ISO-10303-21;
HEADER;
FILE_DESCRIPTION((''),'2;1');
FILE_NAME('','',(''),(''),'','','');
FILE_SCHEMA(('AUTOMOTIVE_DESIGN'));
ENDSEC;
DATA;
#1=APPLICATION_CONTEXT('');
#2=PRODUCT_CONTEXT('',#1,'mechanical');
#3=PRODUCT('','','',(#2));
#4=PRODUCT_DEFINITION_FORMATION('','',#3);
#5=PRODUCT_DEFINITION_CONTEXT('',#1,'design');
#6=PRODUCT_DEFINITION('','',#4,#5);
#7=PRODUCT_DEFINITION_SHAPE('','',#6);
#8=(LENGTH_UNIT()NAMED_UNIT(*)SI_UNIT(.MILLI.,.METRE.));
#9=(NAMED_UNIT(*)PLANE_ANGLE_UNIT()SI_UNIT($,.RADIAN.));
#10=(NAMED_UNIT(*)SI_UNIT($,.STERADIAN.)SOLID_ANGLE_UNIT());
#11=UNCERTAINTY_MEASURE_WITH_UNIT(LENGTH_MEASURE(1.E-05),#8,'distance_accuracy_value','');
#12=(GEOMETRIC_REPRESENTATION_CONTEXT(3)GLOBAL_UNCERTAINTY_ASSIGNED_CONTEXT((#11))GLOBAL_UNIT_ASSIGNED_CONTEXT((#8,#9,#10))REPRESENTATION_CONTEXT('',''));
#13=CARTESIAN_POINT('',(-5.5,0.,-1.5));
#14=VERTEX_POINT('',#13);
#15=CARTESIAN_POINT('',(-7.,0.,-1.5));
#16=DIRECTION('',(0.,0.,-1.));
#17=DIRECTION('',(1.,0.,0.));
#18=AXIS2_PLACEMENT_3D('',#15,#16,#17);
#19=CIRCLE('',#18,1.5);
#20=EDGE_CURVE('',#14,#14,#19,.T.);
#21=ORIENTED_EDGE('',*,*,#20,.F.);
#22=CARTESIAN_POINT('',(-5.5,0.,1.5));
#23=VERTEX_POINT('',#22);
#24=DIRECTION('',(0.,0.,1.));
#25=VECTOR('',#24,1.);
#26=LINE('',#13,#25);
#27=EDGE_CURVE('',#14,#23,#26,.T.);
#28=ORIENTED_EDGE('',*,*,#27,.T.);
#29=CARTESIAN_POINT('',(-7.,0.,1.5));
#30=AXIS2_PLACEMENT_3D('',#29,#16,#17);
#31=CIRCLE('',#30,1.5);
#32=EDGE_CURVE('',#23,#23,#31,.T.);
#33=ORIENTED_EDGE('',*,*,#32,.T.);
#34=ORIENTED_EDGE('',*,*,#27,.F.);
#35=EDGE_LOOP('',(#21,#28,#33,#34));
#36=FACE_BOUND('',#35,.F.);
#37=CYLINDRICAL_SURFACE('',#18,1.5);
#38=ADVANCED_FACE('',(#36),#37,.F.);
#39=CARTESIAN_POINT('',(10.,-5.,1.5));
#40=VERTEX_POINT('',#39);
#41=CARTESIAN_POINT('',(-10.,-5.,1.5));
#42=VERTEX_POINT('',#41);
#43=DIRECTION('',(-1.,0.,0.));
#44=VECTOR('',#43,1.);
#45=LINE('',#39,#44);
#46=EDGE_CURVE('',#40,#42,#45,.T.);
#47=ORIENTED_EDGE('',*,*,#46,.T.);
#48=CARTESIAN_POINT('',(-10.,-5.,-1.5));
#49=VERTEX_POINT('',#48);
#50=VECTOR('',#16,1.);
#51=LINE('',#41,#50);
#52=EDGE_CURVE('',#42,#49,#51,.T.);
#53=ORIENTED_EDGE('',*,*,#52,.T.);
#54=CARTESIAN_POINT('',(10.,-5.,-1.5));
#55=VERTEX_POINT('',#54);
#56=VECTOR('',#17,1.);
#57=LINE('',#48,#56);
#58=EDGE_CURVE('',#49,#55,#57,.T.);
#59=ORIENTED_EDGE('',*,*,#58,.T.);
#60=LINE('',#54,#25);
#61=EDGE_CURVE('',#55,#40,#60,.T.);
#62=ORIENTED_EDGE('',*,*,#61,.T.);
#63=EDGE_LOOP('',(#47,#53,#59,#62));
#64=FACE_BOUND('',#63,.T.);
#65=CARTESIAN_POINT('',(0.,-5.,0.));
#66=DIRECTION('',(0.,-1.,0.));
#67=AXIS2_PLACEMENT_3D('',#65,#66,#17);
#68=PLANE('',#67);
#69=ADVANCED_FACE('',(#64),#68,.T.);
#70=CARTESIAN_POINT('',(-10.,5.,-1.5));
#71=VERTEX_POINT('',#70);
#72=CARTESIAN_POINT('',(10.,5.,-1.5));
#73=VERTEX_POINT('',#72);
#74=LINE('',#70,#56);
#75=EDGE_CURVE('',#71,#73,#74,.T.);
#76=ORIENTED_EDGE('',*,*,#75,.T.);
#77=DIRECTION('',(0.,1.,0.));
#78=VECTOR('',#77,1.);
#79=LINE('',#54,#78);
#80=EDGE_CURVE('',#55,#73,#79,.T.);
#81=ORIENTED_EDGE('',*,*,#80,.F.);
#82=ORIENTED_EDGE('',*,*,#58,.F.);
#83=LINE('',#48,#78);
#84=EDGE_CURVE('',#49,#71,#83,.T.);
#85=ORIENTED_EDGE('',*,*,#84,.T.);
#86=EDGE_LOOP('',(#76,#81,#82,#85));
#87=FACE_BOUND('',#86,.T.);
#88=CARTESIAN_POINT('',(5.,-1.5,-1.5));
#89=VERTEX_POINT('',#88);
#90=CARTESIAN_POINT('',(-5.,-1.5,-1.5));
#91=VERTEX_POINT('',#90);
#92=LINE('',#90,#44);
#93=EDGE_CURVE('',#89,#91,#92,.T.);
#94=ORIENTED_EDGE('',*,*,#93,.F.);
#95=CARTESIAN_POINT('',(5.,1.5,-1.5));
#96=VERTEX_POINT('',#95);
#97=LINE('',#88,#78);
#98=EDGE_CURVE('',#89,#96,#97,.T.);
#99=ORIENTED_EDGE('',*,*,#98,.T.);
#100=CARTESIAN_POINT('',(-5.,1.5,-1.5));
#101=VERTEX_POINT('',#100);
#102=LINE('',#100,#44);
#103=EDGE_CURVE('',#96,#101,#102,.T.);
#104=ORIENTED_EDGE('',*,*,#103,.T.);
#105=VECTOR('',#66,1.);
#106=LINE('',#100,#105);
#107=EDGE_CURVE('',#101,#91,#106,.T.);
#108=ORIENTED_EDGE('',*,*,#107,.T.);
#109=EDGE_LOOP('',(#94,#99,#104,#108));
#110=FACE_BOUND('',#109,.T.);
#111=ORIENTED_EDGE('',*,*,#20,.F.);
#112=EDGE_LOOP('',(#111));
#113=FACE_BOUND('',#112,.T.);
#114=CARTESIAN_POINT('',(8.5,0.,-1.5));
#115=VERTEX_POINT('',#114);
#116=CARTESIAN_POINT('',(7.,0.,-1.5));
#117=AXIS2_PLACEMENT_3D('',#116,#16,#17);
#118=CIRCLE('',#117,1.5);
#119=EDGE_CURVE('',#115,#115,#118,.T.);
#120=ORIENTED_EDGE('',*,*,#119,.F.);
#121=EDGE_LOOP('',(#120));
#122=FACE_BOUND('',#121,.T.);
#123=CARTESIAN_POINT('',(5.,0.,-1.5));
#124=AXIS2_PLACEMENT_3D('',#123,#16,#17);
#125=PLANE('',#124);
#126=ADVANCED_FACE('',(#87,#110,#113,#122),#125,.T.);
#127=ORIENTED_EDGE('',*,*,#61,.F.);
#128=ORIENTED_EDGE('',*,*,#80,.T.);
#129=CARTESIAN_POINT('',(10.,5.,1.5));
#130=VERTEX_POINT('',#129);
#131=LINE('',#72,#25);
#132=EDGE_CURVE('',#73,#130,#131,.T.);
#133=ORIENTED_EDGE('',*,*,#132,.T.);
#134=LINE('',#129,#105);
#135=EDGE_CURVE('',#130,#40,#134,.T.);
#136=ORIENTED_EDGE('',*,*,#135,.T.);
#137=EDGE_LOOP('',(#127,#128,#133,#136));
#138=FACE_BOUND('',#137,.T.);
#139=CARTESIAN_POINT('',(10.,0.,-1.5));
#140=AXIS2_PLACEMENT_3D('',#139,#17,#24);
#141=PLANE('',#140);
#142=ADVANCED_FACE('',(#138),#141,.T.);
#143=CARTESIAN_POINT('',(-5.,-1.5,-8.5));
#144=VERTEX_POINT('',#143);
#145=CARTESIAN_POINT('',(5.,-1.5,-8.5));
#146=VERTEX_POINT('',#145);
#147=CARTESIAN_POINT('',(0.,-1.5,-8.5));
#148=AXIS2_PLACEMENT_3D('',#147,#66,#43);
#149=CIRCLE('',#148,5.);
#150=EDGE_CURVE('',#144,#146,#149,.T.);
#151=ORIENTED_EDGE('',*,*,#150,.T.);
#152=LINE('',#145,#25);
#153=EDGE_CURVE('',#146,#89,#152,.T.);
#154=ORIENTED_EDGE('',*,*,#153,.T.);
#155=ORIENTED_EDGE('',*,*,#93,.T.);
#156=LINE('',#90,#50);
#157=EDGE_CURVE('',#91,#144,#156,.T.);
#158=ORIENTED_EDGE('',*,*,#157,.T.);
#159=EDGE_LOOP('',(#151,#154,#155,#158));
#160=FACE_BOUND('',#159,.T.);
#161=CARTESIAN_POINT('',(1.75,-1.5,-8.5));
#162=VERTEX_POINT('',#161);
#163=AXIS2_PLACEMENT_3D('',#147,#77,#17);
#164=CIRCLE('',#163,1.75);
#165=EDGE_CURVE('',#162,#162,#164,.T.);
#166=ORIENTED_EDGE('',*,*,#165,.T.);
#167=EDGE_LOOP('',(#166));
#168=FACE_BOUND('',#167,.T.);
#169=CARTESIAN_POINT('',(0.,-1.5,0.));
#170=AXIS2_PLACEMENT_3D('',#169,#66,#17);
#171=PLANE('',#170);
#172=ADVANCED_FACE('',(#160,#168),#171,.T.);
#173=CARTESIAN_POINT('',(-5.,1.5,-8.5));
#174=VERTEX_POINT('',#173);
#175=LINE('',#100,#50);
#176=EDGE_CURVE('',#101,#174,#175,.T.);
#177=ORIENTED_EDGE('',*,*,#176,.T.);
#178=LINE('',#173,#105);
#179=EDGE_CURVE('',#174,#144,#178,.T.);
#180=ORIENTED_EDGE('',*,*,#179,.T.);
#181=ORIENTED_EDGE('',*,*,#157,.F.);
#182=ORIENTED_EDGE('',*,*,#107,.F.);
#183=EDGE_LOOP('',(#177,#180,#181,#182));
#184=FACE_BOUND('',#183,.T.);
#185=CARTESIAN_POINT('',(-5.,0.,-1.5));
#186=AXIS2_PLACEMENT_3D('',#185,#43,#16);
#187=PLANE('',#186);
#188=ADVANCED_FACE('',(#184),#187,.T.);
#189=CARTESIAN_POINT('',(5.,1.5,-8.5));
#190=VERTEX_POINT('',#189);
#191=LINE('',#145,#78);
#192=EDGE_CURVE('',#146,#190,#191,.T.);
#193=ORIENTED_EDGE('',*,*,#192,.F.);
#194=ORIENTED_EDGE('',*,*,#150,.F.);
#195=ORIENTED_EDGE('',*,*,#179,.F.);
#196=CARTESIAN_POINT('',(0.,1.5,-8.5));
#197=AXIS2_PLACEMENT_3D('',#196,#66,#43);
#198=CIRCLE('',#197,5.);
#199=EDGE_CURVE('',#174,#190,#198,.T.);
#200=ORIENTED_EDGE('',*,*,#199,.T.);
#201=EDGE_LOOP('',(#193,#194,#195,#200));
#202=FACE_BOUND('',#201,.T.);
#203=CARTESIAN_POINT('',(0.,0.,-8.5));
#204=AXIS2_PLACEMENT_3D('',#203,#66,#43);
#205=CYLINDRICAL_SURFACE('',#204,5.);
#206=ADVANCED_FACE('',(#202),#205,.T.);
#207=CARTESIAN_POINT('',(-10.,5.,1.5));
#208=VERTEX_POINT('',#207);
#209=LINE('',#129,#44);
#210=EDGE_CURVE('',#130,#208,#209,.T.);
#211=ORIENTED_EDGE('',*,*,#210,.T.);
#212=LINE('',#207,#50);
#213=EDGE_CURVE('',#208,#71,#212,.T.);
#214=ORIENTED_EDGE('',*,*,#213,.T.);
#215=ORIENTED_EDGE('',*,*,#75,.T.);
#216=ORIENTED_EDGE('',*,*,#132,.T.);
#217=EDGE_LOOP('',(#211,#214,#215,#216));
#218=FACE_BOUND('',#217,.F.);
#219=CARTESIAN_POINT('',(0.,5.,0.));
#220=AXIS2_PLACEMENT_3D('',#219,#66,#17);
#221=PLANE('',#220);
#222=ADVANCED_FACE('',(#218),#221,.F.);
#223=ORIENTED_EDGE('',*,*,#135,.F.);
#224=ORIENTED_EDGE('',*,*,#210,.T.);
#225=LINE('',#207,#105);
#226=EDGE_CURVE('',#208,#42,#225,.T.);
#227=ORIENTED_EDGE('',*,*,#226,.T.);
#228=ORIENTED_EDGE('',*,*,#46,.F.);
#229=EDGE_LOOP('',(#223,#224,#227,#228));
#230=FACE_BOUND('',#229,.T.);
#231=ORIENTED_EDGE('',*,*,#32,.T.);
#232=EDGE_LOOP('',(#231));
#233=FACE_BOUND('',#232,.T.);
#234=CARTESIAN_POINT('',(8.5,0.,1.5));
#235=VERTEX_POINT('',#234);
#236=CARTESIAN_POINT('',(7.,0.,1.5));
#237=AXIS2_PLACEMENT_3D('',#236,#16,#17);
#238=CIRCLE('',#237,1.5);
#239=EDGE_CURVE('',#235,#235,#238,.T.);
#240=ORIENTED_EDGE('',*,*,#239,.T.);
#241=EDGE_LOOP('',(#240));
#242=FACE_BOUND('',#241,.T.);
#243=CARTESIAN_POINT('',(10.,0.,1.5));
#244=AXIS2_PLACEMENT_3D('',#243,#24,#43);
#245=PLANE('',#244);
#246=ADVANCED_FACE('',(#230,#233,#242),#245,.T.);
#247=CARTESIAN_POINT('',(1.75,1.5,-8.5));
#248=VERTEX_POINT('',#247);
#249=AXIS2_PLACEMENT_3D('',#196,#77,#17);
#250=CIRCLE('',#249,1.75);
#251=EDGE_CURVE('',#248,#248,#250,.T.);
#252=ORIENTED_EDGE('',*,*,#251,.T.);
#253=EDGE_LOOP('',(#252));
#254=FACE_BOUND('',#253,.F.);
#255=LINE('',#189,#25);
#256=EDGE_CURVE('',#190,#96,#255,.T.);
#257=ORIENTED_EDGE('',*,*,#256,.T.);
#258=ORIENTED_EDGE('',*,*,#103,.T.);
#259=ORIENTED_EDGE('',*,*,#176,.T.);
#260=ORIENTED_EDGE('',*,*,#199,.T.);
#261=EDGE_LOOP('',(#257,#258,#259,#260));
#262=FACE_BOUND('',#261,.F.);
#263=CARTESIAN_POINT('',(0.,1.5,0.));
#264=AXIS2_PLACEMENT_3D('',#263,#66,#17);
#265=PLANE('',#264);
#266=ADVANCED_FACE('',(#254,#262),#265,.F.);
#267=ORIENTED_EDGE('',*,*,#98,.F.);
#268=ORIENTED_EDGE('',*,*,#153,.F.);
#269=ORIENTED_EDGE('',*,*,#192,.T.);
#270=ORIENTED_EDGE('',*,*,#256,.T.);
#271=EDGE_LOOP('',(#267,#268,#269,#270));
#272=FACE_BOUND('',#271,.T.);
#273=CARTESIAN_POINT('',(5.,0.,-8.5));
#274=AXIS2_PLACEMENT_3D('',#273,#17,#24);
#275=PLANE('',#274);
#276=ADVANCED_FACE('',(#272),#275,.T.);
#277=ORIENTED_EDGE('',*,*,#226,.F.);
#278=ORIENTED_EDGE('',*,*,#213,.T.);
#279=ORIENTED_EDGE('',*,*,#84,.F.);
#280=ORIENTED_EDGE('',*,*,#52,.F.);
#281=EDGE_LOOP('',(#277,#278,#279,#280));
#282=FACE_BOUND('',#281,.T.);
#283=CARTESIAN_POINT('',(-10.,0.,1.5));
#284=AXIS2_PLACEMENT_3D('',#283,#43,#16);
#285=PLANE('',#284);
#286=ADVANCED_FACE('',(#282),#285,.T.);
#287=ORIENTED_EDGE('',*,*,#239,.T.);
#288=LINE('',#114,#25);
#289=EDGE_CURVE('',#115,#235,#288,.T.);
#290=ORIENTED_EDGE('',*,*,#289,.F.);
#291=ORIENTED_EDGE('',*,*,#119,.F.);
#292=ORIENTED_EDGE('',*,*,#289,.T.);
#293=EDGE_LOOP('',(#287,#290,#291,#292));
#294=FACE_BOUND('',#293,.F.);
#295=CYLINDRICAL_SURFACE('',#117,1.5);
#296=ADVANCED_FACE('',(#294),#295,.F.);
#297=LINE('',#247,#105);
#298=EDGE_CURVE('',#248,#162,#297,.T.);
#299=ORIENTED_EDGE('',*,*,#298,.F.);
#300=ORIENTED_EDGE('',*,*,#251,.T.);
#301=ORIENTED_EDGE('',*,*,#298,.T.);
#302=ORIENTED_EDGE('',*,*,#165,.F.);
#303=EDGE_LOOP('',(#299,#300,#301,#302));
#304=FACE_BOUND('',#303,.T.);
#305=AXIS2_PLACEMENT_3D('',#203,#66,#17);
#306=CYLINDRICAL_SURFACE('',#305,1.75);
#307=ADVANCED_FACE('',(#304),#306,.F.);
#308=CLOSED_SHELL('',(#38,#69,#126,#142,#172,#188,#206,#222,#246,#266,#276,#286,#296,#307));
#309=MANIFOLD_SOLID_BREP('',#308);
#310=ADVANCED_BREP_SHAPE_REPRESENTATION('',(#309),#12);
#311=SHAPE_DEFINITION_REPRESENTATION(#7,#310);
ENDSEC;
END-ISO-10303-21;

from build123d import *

# Parameters (mm, degrees)
F1_DEPTH = 5
F2_DEPTH = 1.5
F3_R     = 1.5
F4_DEPTH = 3.001


with BuildPart() as f1:
    # F0 (on Front) → F1 (new body, symmetric)
    with BuildSketch(Plane.XZ):
        Polygon((5, -1.5), (10, -1.5), (10, 1.5), (-10, 1.5), (-10, -1.5), (-5, -1.5), (0, -1.5), align=None)
    extrude(amount=F1_DEPTH, both=True)

    # F0 (on Front) → F2 (join, symmetric)
    with BuildSketch(Plane.XZ):
        Polygon((5, -1.5), (10, -1.5), (10, 1.5), (-10, 1.5), (-10, -1.5), (-5, -1.5), (0, -1.5), align=None)
        with BuildLine():
            Line((5, -8.5), (5, -1.5))
            Line((5, -1.5), (0, -1.5))
            Line((0, -1.5), (-5, -1.5))
            Line((-5, -1.5), (-5, -8.5))
            Line((-5, -8.5), (-1.75, -8.5))
            ThreePointArc((-1.75, -8.5), (0, -6.75), (1.75, -8.5))
            Line((1.75, -8.5), (5, -8.5))
        make_face()
        with BuildLine():
            ThreePointArc((-5, -8.5), (0, -13.5), (5, -8.5))
            Line((5, -8.5), (1.75, -8.5))
            ThreePointArc((1.75, -8.5), (0, -10.25), (-1.75, -8.5))
            Line((-1.75, -8.5), (-5, -8.5))
        make_face()
    extrude(amount=F2_DEPTH, both=True)

    # F3 (on face) → F4 (cut, through all)
    with BuildSketch(Plane(origin=(0, 0, -1.5), x_dir=(1, 0, 0), z_dir=(0, 0, -1))):
        with Locations((-7, 0)):
            Circle(F3_R)
        with Locations((7, 0)):
            Circle(F3_R)
    extrude(amount=-F4_DEPTH, mode=Mode.SUBTRACT)


solid = f1.part
